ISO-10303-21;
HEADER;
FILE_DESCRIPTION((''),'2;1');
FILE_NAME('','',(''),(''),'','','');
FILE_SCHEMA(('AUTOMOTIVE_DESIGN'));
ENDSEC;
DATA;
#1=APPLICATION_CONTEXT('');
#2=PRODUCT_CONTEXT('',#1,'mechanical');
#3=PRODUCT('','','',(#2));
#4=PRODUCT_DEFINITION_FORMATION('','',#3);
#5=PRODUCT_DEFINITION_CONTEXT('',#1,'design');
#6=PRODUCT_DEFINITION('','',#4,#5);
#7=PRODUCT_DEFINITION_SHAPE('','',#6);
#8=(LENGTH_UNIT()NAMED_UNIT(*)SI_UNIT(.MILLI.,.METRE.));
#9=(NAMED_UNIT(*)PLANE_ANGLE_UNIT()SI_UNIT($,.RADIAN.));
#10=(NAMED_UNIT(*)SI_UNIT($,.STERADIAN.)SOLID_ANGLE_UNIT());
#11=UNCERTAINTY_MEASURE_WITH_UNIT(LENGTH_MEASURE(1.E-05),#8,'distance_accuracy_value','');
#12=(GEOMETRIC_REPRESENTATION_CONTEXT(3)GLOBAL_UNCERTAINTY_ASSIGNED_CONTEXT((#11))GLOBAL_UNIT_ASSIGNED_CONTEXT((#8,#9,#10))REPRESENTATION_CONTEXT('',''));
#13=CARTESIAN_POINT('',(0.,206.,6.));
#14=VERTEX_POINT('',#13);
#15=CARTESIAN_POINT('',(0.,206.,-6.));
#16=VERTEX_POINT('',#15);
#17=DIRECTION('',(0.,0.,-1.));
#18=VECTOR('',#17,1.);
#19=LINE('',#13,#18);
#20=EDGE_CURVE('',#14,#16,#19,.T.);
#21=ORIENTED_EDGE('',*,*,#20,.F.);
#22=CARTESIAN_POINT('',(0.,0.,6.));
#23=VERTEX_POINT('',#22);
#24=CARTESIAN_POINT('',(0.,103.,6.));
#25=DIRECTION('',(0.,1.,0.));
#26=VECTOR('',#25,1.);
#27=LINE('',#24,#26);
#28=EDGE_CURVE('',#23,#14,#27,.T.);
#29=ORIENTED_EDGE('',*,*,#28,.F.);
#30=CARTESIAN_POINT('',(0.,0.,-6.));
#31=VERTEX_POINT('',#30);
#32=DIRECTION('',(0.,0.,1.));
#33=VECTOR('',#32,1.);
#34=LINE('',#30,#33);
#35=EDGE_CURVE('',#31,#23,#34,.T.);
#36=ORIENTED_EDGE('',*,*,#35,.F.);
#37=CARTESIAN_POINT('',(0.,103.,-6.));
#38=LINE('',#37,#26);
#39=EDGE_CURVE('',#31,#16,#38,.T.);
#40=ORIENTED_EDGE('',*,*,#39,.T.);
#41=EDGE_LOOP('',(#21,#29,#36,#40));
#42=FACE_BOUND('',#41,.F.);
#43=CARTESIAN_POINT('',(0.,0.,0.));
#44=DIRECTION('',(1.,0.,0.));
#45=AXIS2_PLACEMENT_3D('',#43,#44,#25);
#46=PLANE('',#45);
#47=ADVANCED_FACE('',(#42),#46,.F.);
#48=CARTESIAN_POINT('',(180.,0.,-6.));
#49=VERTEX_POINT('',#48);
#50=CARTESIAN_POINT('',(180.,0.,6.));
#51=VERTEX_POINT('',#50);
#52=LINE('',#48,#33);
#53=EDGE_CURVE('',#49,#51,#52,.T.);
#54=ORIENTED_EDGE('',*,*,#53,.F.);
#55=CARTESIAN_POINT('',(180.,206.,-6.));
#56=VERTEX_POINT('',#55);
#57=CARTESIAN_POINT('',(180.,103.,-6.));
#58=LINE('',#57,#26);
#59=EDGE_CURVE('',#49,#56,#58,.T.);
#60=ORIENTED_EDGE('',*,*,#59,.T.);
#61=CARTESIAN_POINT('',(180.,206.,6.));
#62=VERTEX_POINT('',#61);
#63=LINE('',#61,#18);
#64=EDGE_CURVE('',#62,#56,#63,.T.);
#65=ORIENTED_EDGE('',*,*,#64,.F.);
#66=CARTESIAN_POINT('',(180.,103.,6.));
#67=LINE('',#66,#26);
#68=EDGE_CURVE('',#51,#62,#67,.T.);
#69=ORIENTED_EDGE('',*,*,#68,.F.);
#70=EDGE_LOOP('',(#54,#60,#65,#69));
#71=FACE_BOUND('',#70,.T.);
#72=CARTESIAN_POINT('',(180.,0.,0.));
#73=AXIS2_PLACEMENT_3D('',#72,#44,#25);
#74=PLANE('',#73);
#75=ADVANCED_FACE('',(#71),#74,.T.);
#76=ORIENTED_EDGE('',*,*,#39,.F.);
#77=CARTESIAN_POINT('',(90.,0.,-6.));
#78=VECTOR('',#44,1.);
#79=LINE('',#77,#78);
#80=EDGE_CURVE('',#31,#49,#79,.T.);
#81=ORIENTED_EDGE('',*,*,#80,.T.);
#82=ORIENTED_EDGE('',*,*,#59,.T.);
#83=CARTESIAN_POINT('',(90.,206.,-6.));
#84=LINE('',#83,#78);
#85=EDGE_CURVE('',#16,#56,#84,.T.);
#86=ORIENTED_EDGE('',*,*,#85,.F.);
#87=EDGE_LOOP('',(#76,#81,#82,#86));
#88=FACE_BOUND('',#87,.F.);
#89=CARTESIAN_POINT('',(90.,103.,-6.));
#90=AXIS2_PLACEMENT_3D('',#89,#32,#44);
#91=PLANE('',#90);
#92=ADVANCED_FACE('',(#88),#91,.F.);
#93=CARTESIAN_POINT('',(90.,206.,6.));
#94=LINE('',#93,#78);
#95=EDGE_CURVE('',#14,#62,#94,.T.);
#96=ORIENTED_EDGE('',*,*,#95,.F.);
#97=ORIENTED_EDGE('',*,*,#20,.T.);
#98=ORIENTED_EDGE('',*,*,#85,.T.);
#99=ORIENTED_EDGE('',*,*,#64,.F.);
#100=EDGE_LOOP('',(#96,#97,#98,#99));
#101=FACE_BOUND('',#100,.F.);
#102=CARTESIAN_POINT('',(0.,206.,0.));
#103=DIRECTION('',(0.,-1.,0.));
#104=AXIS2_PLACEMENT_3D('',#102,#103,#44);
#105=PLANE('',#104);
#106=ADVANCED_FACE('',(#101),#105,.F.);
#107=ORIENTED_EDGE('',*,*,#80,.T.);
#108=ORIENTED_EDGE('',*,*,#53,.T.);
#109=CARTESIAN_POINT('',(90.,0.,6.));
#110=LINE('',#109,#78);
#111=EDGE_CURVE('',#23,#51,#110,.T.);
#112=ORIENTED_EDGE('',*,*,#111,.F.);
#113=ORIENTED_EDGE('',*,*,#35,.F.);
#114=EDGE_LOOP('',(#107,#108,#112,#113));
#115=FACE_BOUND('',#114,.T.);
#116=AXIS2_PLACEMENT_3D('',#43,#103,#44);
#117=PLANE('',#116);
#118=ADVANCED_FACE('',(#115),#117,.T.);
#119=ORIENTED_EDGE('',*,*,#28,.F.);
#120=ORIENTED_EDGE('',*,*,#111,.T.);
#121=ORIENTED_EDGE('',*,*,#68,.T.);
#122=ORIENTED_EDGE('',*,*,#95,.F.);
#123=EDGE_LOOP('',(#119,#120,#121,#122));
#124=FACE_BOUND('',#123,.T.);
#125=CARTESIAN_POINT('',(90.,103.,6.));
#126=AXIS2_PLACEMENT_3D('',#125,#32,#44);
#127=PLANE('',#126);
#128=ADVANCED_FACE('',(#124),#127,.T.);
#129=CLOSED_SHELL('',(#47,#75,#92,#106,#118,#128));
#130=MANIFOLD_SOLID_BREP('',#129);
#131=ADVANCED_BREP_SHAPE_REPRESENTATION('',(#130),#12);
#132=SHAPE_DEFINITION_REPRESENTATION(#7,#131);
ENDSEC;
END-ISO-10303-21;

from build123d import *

# Parameters (mm, degrees)
F0_W     = 180
F0_H     = 206
F1_DEPTH = 6
F2_DEPTH = 6


with BuildPart() as f1:
    # F0 (on Top) → F1 (new body, symmetric)
    with BuildSketch(Plane.XY):
        with Locations((90, 103)):
            Rectangle(F0_W, F0_H)
    extrude(amount=F1_DEPTH, both=True)

    # F0 (on Top) → F2 (join, symmetric)
    with BuildSketch(Plane.XY):
        with Locations((90, 103)):
            Rectangle(F0_W, F0_H)
    extrude(amount=F2_DEPTH, both=True)


solid = f1.part
